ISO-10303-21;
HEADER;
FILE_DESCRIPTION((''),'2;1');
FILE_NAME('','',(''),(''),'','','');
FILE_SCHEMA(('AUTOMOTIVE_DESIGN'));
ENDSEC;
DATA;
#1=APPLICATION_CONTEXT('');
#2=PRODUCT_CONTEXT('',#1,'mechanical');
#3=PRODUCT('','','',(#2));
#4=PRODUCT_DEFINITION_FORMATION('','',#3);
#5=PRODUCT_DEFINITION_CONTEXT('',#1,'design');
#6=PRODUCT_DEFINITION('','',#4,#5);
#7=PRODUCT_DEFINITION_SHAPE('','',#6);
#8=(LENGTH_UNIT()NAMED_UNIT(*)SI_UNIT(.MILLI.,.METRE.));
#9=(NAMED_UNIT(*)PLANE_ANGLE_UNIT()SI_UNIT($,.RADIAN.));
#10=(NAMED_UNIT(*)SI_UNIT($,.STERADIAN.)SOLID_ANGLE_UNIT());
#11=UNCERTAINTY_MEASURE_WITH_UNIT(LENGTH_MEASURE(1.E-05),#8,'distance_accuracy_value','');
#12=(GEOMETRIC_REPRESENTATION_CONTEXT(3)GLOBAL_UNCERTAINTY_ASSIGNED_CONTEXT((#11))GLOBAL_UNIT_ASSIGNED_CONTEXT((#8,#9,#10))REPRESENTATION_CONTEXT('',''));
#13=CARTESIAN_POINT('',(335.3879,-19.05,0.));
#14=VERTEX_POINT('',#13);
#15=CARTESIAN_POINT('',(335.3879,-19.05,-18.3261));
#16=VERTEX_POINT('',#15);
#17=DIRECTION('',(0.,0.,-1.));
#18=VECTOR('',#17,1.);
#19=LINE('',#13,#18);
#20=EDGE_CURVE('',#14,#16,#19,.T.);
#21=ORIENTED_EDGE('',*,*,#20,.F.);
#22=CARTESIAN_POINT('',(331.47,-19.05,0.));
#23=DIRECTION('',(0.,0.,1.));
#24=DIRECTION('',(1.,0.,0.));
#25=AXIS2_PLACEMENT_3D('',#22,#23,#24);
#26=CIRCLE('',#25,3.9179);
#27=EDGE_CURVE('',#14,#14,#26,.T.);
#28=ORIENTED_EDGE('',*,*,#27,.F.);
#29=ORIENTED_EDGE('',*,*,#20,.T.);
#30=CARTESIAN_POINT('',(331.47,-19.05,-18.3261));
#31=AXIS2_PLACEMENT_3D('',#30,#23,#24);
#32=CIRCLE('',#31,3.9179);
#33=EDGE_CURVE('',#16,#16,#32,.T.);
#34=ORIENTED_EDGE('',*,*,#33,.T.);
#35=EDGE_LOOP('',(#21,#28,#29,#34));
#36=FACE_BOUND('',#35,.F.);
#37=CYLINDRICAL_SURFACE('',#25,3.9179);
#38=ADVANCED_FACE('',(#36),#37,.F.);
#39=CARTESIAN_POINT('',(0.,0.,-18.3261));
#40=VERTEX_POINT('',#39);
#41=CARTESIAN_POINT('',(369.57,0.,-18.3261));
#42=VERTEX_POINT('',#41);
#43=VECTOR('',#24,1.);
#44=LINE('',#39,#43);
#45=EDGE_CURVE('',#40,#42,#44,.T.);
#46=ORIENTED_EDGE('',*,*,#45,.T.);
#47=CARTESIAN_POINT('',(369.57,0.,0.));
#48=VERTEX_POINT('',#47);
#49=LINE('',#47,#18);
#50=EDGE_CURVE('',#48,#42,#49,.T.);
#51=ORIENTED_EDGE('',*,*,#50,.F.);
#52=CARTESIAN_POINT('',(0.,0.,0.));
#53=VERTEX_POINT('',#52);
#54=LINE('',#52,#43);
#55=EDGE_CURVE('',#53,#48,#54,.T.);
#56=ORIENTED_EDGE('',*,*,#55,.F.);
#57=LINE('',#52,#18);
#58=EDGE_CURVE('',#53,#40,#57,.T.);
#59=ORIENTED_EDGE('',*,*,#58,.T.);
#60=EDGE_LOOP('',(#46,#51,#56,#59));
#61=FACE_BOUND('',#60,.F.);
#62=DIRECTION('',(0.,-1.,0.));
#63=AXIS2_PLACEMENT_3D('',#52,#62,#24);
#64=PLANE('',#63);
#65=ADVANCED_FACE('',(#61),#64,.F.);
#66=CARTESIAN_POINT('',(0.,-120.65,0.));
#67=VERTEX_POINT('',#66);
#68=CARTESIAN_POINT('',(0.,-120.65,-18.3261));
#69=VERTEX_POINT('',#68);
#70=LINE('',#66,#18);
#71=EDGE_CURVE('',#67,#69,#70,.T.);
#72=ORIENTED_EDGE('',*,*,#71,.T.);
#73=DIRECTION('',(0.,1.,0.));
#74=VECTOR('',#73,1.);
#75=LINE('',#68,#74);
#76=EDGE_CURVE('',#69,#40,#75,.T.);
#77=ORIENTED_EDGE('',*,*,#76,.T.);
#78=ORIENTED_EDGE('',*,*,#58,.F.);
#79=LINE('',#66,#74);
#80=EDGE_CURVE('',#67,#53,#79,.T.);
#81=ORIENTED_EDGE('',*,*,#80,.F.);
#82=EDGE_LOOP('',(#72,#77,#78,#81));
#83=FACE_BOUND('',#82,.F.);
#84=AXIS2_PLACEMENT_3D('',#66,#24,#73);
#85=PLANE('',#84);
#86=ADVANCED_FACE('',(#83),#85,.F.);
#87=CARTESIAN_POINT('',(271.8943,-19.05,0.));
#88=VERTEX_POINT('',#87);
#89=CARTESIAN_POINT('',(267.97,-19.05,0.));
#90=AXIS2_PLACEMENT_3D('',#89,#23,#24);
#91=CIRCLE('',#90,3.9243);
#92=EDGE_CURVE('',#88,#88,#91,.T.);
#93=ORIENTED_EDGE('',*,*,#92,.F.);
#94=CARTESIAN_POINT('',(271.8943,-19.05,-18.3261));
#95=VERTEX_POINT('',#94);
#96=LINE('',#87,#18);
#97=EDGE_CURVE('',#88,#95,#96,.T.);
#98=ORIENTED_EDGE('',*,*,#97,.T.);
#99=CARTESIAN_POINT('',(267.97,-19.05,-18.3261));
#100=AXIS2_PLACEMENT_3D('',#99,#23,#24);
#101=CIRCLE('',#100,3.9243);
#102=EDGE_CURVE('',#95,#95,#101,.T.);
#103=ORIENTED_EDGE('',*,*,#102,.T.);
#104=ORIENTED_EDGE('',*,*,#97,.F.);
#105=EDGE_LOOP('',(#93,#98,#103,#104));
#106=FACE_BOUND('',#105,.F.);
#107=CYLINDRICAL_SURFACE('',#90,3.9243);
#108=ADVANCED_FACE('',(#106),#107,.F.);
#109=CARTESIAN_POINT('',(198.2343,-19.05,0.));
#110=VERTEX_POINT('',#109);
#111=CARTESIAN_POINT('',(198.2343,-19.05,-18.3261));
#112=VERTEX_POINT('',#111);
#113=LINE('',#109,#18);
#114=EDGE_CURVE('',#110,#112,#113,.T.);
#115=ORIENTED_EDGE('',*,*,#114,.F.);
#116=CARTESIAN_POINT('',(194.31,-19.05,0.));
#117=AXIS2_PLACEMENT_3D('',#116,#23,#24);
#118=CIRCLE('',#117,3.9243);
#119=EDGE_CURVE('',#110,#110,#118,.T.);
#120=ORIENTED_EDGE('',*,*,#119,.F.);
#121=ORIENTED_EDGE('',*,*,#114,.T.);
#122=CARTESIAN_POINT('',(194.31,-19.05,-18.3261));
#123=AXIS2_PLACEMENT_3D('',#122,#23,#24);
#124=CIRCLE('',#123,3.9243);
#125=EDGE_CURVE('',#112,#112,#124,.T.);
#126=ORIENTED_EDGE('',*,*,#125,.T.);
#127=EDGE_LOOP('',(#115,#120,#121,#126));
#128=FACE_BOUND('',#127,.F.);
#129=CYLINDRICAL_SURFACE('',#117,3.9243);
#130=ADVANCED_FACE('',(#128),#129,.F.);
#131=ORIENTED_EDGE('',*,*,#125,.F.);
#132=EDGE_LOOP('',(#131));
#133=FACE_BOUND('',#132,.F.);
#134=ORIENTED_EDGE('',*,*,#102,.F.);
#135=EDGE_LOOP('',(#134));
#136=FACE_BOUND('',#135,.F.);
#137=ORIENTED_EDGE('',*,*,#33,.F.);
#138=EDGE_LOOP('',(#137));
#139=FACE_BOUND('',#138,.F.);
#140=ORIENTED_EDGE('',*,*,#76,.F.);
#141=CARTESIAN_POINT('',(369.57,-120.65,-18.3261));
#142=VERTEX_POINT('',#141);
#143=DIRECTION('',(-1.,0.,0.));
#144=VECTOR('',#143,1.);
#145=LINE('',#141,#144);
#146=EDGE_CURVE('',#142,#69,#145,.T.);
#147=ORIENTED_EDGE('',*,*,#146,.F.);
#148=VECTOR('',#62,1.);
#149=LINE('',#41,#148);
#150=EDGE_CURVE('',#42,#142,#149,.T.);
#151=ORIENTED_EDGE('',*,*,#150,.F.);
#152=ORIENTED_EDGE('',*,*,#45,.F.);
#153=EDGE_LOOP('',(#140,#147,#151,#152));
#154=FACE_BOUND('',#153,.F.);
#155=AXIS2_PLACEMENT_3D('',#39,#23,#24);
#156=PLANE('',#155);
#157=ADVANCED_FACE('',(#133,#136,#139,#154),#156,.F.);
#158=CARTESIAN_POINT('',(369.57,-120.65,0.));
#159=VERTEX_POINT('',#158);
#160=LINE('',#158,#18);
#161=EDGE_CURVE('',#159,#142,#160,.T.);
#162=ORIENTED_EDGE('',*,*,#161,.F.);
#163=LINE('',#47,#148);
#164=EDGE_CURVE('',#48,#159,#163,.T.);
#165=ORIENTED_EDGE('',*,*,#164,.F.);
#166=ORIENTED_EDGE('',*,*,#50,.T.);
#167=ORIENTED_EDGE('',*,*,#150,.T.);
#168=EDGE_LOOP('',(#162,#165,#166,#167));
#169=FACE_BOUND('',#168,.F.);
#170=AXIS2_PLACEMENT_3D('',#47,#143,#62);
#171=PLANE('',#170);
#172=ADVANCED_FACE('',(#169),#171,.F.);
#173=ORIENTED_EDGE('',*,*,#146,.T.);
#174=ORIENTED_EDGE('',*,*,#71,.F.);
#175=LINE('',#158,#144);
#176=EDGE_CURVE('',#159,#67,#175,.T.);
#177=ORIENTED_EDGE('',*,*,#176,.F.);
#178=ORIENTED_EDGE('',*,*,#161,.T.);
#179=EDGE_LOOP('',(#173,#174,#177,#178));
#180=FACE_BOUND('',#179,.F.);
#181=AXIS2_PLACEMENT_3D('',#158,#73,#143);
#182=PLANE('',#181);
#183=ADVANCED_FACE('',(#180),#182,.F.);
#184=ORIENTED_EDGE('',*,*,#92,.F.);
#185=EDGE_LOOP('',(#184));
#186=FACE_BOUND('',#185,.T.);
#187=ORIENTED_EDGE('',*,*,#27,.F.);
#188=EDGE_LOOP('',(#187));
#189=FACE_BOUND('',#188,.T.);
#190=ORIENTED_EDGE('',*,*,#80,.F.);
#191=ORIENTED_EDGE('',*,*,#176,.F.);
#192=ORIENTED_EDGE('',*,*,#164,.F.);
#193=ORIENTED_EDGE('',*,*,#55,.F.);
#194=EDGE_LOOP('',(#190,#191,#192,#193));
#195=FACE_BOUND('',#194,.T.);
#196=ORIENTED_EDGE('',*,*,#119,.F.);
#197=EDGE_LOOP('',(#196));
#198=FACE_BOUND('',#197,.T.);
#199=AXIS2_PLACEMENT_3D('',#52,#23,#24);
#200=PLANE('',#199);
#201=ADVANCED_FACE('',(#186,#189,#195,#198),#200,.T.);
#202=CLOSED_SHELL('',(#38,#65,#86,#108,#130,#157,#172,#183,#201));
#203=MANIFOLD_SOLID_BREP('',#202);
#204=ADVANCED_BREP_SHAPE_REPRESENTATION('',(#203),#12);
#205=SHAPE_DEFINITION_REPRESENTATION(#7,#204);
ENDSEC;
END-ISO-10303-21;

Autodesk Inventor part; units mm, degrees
ref_plane "YZ Plane" through (0, 0, 0) normal (1, 0, 0) x (0, 1, 0)
ref_plane "XZ Plane" through (0, 0, 0) normal (0, 1, 0) x (-1, 0, 0)
ref_plane "XY Plane" through (0, 0, 0) normal (0, 0, 1) x (1, 0, 0)
sketch "Sketch1" plane through (0, 0, 0) normal (0, 0, 1) x (1, 0, 0)
  line L0 (0, 0) -> (369.57, 0)
  line L1 (369.57, 0) -> (369.57, -120.65)
  line L2 (369.57, -120.65) -> (0, -120.65)
  line L3 (0, -120.65) -> (0, 0)
  circle A0 centre (331.47, -19.05) radius 3.9179
  circle A1 centre (267.97, -19.05) radius 3.9243
  circle A2 centre (194.31, -19.05) radius 3.9243
  dimension "d0" = 369.57
  dimension "d1" = 120.65
  dimension "d2" = 7.8359
  dimension "d3" = 38.1
  dimension "d4" = 101.6
  dimension "d5" = 7.8486
  dimension "d6" = 101.6
  dimension "d7" = 63.5
  dimension "d8" = 7.8486
  dimension "d9" = 101.6
  dimension "d10" = 73.66
extrude "Extrusion1" add sketch "Sketch1" against normal blind 18.3261
properties part number "Kermit bumper Medium"
